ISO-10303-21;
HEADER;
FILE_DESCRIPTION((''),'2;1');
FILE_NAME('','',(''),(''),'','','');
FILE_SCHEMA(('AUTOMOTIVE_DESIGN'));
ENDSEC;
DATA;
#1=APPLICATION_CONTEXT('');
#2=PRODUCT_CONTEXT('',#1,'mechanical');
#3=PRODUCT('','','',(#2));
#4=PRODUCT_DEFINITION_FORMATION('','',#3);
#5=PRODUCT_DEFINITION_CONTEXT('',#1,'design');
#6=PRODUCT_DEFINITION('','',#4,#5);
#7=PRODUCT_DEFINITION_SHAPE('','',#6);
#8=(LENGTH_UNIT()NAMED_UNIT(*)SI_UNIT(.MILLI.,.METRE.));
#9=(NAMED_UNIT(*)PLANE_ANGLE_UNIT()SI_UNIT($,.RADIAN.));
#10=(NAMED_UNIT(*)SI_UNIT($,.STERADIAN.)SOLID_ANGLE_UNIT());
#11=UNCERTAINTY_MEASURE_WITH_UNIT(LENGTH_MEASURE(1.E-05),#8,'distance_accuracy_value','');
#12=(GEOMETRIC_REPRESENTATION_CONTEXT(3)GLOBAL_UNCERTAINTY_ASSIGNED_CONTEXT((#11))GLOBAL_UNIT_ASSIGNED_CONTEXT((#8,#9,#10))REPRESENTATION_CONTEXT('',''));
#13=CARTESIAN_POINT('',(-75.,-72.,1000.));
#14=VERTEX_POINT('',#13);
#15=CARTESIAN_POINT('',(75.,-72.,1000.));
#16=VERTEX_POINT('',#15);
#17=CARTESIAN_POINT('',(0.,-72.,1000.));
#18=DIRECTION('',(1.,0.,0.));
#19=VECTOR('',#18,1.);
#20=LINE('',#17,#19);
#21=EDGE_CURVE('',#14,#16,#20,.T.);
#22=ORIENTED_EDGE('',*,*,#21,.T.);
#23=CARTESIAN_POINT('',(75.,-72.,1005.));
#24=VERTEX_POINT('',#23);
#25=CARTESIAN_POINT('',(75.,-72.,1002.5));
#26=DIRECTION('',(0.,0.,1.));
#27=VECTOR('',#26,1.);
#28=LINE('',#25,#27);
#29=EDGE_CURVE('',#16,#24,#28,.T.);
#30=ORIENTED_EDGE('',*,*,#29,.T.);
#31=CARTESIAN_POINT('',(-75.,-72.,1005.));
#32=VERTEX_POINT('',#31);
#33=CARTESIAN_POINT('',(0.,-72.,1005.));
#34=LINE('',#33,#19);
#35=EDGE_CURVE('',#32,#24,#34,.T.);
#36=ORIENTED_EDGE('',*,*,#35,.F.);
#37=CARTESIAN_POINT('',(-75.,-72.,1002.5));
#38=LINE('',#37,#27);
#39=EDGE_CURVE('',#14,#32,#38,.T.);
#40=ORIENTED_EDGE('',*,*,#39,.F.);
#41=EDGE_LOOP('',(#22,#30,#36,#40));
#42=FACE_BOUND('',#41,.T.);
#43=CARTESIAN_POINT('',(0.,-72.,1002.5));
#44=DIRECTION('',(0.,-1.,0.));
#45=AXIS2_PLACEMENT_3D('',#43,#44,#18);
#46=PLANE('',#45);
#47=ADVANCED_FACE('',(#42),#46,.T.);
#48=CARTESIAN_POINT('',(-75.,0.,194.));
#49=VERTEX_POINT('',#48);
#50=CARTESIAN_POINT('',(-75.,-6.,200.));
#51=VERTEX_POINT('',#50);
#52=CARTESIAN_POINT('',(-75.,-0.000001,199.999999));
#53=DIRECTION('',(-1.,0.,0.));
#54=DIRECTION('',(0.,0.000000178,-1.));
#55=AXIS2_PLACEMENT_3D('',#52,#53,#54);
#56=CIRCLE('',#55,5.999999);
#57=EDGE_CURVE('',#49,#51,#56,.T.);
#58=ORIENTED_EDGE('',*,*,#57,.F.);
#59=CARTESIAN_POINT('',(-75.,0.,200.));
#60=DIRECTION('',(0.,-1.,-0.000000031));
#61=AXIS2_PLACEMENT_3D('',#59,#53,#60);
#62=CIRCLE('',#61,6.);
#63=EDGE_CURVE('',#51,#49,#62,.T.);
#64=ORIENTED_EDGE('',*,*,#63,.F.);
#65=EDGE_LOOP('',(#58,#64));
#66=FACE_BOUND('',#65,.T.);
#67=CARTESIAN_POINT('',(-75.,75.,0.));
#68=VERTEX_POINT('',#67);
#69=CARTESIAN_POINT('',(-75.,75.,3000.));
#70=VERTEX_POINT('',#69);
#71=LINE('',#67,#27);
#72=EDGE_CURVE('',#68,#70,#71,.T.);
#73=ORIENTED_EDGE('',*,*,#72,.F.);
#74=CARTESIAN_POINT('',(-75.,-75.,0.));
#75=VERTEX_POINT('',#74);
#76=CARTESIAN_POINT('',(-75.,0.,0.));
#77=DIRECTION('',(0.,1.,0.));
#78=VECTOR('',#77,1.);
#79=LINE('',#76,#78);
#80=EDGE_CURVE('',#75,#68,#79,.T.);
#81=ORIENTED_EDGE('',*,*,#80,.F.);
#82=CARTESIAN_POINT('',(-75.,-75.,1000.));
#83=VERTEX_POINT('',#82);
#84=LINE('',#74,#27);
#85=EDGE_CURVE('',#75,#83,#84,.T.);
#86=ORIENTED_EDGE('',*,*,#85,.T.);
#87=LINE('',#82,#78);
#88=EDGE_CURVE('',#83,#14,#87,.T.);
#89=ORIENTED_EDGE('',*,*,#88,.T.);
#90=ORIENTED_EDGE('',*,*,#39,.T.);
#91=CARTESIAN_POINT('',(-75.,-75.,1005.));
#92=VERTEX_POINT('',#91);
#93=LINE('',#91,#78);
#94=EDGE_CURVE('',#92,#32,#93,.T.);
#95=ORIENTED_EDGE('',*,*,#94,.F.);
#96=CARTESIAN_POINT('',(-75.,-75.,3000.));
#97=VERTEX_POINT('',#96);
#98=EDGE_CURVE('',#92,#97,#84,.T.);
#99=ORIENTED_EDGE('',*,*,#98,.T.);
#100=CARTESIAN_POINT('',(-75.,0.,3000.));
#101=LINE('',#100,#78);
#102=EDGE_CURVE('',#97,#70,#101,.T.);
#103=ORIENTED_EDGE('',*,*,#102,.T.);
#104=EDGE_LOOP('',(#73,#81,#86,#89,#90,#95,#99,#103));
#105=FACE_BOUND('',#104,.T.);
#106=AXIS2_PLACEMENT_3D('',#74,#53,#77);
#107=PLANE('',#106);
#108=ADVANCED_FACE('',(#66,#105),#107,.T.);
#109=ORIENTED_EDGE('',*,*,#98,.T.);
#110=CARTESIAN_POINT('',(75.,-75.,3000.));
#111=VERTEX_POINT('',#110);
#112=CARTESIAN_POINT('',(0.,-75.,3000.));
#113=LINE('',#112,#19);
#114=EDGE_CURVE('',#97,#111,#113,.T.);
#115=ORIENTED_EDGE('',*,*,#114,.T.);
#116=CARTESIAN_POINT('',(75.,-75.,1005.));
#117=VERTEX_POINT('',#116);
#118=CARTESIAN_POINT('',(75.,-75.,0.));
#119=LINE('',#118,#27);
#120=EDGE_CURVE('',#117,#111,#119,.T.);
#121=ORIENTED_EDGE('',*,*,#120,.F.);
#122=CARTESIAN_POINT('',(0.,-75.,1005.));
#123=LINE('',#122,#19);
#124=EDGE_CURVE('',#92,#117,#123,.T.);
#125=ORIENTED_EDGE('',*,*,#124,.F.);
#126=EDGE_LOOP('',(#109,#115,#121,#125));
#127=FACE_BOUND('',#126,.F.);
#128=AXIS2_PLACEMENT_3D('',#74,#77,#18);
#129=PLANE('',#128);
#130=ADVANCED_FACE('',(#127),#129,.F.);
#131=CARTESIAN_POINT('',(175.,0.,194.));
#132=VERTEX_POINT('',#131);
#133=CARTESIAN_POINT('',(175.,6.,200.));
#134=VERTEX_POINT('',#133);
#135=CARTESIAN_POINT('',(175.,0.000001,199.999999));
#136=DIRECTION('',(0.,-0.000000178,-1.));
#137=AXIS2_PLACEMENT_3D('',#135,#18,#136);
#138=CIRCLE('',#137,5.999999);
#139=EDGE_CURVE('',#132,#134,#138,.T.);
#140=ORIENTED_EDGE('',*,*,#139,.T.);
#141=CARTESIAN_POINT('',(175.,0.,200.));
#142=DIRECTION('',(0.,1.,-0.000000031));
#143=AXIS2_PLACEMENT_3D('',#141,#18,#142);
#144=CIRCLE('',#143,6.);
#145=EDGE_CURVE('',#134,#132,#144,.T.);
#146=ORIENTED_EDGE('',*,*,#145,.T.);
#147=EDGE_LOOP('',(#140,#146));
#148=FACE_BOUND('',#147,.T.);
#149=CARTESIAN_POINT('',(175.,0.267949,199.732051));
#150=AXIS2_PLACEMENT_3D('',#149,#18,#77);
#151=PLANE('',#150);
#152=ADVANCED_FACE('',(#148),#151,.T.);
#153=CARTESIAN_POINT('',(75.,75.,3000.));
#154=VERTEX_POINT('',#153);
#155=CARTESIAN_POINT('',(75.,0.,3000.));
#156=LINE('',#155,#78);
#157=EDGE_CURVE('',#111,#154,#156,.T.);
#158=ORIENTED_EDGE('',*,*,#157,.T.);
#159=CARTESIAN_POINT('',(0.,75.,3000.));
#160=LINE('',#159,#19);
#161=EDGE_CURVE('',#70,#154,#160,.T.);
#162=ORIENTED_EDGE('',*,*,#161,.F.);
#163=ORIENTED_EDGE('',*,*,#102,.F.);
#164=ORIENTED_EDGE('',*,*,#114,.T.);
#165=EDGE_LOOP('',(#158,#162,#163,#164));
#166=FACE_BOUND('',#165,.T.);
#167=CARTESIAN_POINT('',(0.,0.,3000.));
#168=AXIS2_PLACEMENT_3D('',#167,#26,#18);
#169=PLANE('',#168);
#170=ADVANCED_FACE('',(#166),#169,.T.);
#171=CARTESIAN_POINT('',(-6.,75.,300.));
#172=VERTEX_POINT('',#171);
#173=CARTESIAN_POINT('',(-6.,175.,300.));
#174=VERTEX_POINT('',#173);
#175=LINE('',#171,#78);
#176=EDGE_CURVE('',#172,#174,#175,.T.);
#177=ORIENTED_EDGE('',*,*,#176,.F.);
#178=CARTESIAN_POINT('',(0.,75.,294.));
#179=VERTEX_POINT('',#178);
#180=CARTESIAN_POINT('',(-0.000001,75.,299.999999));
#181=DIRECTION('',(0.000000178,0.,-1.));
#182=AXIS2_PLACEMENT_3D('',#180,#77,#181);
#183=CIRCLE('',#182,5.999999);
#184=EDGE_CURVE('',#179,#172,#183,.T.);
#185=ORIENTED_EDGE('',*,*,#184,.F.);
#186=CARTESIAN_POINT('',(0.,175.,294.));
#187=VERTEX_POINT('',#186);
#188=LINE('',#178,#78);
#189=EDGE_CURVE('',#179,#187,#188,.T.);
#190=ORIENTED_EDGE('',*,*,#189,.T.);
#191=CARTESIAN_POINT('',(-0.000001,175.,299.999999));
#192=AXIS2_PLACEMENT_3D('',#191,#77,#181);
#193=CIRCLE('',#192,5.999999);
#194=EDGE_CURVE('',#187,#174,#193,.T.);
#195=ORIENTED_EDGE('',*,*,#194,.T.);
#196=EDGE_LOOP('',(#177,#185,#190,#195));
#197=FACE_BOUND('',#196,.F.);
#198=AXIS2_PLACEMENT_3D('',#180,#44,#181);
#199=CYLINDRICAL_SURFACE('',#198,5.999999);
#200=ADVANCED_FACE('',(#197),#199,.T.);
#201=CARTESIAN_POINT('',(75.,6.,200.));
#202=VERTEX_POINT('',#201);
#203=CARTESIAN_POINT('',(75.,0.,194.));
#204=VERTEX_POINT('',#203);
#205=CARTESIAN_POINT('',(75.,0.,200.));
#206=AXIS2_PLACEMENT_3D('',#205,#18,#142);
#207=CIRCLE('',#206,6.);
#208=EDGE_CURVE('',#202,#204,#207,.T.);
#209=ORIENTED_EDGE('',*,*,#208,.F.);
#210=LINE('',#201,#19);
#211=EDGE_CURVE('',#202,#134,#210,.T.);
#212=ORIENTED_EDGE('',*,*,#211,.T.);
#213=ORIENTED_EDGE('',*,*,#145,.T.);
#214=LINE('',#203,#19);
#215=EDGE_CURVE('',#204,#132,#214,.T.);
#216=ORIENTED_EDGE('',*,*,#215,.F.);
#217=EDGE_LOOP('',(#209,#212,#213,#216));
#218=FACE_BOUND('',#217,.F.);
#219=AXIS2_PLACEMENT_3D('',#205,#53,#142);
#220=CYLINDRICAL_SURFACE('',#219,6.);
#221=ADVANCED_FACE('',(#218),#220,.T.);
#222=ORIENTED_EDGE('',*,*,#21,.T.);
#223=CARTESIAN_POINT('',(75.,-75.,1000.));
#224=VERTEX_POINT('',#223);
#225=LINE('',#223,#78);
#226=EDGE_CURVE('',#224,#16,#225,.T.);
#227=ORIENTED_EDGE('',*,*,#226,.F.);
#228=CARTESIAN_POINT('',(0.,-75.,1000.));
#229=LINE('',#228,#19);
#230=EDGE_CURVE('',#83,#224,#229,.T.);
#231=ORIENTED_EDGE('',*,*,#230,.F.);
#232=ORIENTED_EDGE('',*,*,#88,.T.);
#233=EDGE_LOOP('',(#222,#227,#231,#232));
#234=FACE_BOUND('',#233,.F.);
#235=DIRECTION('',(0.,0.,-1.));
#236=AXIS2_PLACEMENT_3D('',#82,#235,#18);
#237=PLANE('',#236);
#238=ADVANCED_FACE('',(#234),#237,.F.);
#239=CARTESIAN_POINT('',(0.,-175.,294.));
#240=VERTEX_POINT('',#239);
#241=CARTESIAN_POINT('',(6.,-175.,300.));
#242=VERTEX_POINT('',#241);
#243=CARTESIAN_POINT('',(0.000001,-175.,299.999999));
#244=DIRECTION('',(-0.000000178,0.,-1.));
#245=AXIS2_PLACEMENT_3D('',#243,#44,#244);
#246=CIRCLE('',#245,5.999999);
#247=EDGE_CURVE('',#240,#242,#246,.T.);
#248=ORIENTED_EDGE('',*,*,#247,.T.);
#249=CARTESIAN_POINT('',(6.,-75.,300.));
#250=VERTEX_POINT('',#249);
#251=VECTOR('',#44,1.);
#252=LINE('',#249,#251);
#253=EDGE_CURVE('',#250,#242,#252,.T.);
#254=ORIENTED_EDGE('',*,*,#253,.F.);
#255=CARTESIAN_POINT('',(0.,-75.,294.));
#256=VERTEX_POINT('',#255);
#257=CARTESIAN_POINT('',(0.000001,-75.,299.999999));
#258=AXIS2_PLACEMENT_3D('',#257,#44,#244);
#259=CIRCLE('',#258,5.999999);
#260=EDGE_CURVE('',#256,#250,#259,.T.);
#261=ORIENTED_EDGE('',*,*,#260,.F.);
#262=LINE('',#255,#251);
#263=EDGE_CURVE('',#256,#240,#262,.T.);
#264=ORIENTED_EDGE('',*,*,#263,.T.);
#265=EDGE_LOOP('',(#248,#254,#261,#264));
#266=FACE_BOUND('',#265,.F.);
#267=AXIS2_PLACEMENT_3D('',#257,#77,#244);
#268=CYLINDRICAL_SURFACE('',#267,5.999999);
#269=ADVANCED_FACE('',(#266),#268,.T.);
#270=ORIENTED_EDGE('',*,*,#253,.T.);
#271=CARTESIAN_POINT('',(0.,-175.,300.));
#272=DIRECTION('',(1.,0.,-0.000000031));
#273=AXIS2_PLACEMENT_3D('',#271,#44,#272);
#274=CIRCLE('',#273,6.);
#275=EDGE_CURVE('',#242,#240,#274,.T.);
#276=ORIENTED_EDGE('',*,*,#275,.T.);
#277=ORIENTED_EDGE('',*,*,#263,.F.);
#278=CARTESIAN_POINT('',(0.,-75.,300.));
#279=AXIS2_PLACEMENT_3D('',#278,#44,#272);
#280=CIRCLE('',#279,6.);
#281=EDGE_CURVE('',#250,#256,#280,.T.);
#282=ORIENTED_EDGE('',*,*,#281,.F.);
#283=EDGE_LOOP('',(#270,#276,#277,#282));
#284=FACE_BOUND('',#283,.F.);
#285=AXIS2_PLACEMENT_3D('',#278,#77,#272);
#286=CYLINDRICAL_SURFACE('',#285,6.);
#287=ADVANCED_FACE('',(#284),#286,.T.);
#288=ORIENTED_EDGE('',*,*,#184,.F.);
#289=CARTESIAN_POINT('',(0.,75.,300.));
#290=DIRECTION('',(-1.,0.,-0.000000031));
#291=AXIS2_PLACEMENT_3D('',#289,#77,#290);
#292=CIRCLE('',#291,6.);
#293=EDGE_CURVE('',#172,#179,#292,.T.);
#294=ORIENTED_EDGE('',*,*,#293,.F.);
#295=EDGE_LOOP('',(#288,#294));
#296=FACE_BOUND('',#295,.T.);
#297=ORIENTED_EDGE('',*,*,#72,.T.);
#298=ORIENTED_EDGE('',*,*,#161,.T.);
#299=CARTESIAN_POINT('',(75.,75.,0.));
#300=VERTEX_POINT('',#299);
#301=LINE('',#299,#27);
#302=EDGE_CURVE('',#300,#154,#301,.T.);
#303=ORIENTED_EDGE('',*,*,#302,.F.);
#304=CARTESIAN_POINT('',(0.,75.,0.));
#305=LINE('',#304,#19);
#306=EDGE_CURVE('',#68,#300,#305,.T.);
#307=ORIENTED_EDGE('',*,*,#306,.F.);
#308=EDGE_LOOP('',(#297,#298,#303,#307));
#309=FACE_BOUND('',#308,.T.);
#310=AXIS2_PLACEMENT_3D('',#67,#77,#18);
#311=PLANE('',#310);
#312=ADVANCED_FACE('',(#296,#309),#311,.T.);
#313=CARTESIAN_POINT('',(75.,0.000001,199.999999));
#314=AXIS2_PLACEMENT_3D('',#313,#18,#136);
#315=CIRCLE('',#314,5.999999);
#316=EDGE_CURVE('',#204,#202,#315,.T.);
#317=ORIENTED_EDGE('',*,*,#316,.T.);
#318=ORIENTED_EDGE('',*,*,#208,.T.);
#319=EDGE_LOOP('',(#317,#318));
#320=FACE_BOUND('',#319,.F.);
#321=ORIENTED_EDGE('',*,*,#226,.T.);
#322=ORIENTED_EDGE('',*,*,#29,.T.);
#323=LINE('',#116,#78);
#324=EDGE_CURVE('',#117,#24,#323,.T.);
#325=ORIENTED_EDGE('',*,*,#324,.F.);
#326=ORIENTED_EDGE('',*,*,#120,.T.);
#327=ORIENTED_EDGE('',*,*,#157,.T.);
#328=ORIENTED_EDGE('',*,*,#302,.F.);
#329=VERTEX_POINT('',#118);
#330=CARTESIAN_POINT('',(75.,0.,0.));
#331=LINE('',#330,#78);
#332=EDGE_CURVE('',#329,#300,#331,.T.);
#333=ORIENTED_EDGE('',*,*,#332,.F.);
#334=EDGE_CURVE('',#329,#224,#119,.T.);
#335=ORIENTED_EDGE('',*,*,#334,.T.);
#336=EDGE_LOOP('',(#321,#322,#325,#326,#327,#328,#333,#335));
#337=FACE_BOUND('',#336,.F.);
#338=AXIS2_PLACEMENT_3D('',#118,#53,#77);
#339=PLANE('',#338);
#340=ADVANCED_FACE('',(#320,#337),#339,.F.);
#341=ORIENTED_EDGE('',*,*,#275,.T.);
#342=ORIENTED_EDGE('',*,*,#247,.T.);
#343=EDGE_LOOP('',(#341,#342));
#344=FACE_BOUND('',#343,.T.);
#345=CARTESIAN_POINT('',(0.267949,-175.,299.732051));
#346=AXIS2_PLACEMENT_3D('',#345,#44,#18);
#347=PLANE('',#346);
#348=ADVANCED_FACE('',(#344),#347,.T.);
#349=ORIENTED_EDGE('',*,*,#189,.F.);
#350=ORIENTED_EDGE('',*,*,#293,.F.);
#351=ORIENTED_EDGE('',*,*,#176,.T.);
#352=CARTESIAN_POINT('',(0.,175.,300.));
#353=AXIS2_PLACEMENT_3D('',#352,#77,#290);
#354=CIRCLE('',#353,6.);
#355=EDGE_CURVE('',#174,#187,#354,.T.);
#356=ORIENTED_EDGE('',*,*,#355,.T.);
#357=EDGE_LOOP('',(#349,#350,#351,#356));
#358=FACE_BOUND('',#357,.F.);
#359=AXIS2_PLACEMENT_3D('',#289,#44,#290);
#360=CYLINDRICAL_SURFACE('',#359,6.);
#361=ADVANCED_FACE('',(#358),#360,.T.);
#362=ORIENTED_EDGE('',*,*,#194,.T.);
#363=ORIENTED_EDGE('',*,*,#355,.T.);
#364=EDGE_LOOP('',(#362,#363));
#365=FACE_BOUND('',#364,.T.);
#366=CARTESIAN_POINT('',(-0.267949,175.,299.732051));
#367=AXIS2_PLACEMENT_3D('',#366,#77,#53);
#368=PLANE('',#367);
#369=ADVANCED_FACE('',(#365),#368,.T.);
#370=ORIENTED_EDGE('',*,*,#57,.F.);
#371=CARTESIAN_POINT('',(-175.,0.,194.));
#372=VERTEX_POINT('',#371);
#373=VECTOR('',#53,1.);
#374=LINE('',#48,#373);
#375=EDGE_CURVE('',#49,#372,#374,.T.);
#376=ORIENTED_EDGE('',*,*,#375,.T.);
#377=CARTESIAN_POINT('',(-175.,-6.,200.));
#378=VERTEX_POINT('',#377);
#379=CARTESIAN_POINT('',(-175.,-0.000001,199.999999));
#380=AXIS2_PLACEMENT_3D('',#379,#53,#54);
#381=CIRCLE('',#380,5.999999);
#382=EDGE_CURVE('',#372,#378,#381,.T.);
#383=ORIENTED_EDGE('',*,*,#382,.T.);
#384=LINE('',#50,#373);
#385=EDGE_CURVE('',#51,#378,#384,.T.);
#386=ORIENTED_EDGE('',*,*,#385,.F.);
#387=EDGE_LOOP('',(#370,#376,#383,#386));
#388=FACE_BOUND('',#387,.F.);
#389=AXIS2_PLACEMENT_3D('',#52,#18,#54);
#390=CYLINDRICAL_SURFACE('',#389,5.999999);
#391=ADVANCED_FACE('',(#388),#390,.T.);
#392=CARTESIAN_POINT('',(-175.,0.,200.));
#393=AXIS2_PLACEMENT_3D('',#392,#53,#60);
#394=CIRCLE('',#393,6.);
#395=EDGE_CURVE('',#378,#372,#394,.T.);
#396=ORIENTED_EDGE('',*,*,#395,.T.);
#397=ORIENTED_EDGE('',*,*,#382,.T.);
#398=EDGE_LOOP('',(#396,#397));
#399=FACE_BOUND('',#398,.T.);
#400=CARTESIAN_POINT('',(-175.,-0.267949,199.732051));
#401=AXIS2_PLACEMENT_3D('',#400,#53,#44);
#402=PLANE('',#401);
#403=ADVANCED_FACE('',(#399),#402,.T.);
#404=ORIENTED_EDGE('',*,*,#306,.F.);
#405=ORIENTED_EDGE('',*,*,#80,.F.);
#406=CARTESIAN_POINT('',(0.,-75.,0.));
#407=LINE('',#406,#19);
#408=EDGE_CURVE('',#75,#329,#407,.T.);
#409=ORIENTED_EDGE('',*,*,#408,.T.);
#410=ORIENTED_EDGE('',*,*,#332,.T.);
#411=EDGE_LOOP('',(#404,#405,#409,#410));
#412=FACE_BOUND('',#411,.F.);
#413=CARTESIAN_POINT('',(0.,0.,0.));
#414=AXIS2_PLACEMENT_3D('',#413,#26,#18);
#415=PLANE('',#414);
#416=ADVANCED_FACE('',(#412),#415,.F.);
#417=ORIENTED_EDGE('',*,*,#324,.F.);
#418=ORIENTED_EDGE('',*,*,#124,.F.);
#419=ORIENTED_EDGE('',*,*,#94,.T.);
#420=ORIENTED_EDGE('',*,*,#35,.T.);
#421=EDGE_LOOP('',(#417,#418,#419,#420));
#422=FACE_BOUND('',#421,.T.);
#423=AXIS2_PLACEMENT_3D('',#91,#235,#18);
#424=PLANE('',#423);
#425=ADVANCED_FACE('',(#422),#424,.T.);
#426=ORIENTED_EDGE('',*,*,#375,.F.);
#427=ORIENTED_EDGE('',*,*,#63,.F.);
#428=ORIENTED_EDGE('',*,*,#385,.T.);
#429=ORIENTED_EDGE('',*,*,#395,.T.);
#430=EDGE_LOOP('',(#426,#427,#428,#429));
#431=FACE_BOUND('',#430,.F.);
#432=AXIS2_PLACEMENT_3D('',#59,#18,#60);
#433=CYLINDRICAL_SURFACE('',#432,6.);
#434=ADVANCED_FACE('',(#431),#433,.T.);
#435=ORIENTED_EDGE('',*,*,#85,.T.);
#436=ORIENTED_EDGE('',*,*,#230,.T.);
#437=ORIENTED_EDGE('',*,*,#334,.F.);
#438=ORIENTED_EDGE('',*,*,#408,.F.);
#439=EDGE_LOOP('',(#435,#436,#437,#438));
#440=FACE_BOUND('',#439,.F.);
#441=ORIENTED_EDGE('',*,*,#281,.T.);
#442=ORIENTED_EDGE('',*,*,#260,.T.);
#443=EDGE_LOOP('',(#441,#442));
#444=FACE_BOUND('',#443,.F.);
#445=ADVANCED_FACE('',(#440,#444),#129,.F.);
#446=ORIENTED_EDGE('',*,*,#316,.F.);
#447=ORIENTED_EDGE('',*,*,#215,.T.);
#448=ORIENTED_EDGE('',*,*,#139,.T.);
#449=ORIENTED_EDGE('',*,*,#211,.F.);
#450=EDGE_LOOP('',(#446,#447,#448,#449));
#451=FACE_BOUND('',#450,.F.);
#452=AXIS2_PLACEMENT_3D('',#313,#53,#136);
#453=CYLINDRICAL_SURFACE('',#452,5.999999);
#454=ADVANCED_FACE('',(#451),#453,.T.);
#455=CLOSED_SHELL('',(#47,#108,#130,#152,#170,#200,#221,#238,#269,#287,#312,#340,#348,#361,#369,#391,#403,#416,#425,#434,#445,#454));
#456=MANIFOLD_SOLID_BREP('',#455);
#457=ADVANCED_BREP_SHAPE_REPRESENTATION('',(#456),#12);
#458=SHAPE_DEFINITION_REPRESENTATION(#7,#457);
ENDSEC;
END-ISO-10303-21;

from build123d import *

# Parameters (mm, degrees)
F0_W      = 150
F0_H      = 150
F1_DEPTH  = 3000
F3_DEPTH  = 100
F5_DEPTH  = 100
F7_DEPTH  = 100
F9_DEPTH  = 100
F10_W     = 150
F10_H     = 5
F11_DEPTH = 3


with BuildPart() as f1:
    # F0 (on Top) → F1 (new body)
    with BuildSketch(Plane.XY):
        Rectangle(F0_W, F0_H)
    extrude(amount=F1_DEPTH)

    # F2 (on face) → F3 (join)
    with BuildSketch(Plane.XZ.offset(75)):
        with BuildLine():
            ThreePointArc((0, 294), (4.242641, 295.757359), (6, 300))
            ThreePointArc((6, 300), (-4.242641, 304.242641), (0, 294))
        make_face()
    extrude(amount=F3_DEPTH)

    # F4 (on face) → F5 (join)
    with BuildSketch(Plane(origin=(0, 75, 0), x_dir=(-1, 0, 0), z_dir=(0, 1, 0))):
        with BuildLine():
            ThreePointArc((0, 294), (4.242641, 295.757359), (6, 300))
            ThreePointArc((6, 300), (-4.242641, 304.242641), (0, 294))
        make_face()
    extrude(amount=F5_DEPTH)

    # F6 (on face) → F7 (join)
    with BuildSketch(Plane(origin=(-75, 0, 0), x_dir=(0, -1, 0), z_dir=(-1, 0, 0))):
        with BuildLine():
            ThreePointArc((0, 194), (4.242641, 195.757359), (6, 200))
            ThreePointArc((6, 200), (-4.242641, 204.242641), (0, 194))
        make_face()
    extrude(amount=F7_DEPTH)

    # F8 (on face) → F9 (join)
    with BuildSketch(Plane.YZ.offset(75)):
        with BuildLine():
            ThreePointArc((0, 194), (4.242641, 195.757359), (6, 200))
            ThreePointArc((6, 200), (-4.242641, 204.242641), (0, 194))
        make_face()
    extrude(amount=F9_DEPTH)

    # F10 (on face) → F11 (cut)
    with BuildSketch(Plane.XZ.offset(75)):
        with Locations((0, 1002.5)):
            Rectangle(F10_W, F10_H)
    extrude(amount=-F11_DEPTH, mode=Mode.SUBTRACT)


solid = f1.part
